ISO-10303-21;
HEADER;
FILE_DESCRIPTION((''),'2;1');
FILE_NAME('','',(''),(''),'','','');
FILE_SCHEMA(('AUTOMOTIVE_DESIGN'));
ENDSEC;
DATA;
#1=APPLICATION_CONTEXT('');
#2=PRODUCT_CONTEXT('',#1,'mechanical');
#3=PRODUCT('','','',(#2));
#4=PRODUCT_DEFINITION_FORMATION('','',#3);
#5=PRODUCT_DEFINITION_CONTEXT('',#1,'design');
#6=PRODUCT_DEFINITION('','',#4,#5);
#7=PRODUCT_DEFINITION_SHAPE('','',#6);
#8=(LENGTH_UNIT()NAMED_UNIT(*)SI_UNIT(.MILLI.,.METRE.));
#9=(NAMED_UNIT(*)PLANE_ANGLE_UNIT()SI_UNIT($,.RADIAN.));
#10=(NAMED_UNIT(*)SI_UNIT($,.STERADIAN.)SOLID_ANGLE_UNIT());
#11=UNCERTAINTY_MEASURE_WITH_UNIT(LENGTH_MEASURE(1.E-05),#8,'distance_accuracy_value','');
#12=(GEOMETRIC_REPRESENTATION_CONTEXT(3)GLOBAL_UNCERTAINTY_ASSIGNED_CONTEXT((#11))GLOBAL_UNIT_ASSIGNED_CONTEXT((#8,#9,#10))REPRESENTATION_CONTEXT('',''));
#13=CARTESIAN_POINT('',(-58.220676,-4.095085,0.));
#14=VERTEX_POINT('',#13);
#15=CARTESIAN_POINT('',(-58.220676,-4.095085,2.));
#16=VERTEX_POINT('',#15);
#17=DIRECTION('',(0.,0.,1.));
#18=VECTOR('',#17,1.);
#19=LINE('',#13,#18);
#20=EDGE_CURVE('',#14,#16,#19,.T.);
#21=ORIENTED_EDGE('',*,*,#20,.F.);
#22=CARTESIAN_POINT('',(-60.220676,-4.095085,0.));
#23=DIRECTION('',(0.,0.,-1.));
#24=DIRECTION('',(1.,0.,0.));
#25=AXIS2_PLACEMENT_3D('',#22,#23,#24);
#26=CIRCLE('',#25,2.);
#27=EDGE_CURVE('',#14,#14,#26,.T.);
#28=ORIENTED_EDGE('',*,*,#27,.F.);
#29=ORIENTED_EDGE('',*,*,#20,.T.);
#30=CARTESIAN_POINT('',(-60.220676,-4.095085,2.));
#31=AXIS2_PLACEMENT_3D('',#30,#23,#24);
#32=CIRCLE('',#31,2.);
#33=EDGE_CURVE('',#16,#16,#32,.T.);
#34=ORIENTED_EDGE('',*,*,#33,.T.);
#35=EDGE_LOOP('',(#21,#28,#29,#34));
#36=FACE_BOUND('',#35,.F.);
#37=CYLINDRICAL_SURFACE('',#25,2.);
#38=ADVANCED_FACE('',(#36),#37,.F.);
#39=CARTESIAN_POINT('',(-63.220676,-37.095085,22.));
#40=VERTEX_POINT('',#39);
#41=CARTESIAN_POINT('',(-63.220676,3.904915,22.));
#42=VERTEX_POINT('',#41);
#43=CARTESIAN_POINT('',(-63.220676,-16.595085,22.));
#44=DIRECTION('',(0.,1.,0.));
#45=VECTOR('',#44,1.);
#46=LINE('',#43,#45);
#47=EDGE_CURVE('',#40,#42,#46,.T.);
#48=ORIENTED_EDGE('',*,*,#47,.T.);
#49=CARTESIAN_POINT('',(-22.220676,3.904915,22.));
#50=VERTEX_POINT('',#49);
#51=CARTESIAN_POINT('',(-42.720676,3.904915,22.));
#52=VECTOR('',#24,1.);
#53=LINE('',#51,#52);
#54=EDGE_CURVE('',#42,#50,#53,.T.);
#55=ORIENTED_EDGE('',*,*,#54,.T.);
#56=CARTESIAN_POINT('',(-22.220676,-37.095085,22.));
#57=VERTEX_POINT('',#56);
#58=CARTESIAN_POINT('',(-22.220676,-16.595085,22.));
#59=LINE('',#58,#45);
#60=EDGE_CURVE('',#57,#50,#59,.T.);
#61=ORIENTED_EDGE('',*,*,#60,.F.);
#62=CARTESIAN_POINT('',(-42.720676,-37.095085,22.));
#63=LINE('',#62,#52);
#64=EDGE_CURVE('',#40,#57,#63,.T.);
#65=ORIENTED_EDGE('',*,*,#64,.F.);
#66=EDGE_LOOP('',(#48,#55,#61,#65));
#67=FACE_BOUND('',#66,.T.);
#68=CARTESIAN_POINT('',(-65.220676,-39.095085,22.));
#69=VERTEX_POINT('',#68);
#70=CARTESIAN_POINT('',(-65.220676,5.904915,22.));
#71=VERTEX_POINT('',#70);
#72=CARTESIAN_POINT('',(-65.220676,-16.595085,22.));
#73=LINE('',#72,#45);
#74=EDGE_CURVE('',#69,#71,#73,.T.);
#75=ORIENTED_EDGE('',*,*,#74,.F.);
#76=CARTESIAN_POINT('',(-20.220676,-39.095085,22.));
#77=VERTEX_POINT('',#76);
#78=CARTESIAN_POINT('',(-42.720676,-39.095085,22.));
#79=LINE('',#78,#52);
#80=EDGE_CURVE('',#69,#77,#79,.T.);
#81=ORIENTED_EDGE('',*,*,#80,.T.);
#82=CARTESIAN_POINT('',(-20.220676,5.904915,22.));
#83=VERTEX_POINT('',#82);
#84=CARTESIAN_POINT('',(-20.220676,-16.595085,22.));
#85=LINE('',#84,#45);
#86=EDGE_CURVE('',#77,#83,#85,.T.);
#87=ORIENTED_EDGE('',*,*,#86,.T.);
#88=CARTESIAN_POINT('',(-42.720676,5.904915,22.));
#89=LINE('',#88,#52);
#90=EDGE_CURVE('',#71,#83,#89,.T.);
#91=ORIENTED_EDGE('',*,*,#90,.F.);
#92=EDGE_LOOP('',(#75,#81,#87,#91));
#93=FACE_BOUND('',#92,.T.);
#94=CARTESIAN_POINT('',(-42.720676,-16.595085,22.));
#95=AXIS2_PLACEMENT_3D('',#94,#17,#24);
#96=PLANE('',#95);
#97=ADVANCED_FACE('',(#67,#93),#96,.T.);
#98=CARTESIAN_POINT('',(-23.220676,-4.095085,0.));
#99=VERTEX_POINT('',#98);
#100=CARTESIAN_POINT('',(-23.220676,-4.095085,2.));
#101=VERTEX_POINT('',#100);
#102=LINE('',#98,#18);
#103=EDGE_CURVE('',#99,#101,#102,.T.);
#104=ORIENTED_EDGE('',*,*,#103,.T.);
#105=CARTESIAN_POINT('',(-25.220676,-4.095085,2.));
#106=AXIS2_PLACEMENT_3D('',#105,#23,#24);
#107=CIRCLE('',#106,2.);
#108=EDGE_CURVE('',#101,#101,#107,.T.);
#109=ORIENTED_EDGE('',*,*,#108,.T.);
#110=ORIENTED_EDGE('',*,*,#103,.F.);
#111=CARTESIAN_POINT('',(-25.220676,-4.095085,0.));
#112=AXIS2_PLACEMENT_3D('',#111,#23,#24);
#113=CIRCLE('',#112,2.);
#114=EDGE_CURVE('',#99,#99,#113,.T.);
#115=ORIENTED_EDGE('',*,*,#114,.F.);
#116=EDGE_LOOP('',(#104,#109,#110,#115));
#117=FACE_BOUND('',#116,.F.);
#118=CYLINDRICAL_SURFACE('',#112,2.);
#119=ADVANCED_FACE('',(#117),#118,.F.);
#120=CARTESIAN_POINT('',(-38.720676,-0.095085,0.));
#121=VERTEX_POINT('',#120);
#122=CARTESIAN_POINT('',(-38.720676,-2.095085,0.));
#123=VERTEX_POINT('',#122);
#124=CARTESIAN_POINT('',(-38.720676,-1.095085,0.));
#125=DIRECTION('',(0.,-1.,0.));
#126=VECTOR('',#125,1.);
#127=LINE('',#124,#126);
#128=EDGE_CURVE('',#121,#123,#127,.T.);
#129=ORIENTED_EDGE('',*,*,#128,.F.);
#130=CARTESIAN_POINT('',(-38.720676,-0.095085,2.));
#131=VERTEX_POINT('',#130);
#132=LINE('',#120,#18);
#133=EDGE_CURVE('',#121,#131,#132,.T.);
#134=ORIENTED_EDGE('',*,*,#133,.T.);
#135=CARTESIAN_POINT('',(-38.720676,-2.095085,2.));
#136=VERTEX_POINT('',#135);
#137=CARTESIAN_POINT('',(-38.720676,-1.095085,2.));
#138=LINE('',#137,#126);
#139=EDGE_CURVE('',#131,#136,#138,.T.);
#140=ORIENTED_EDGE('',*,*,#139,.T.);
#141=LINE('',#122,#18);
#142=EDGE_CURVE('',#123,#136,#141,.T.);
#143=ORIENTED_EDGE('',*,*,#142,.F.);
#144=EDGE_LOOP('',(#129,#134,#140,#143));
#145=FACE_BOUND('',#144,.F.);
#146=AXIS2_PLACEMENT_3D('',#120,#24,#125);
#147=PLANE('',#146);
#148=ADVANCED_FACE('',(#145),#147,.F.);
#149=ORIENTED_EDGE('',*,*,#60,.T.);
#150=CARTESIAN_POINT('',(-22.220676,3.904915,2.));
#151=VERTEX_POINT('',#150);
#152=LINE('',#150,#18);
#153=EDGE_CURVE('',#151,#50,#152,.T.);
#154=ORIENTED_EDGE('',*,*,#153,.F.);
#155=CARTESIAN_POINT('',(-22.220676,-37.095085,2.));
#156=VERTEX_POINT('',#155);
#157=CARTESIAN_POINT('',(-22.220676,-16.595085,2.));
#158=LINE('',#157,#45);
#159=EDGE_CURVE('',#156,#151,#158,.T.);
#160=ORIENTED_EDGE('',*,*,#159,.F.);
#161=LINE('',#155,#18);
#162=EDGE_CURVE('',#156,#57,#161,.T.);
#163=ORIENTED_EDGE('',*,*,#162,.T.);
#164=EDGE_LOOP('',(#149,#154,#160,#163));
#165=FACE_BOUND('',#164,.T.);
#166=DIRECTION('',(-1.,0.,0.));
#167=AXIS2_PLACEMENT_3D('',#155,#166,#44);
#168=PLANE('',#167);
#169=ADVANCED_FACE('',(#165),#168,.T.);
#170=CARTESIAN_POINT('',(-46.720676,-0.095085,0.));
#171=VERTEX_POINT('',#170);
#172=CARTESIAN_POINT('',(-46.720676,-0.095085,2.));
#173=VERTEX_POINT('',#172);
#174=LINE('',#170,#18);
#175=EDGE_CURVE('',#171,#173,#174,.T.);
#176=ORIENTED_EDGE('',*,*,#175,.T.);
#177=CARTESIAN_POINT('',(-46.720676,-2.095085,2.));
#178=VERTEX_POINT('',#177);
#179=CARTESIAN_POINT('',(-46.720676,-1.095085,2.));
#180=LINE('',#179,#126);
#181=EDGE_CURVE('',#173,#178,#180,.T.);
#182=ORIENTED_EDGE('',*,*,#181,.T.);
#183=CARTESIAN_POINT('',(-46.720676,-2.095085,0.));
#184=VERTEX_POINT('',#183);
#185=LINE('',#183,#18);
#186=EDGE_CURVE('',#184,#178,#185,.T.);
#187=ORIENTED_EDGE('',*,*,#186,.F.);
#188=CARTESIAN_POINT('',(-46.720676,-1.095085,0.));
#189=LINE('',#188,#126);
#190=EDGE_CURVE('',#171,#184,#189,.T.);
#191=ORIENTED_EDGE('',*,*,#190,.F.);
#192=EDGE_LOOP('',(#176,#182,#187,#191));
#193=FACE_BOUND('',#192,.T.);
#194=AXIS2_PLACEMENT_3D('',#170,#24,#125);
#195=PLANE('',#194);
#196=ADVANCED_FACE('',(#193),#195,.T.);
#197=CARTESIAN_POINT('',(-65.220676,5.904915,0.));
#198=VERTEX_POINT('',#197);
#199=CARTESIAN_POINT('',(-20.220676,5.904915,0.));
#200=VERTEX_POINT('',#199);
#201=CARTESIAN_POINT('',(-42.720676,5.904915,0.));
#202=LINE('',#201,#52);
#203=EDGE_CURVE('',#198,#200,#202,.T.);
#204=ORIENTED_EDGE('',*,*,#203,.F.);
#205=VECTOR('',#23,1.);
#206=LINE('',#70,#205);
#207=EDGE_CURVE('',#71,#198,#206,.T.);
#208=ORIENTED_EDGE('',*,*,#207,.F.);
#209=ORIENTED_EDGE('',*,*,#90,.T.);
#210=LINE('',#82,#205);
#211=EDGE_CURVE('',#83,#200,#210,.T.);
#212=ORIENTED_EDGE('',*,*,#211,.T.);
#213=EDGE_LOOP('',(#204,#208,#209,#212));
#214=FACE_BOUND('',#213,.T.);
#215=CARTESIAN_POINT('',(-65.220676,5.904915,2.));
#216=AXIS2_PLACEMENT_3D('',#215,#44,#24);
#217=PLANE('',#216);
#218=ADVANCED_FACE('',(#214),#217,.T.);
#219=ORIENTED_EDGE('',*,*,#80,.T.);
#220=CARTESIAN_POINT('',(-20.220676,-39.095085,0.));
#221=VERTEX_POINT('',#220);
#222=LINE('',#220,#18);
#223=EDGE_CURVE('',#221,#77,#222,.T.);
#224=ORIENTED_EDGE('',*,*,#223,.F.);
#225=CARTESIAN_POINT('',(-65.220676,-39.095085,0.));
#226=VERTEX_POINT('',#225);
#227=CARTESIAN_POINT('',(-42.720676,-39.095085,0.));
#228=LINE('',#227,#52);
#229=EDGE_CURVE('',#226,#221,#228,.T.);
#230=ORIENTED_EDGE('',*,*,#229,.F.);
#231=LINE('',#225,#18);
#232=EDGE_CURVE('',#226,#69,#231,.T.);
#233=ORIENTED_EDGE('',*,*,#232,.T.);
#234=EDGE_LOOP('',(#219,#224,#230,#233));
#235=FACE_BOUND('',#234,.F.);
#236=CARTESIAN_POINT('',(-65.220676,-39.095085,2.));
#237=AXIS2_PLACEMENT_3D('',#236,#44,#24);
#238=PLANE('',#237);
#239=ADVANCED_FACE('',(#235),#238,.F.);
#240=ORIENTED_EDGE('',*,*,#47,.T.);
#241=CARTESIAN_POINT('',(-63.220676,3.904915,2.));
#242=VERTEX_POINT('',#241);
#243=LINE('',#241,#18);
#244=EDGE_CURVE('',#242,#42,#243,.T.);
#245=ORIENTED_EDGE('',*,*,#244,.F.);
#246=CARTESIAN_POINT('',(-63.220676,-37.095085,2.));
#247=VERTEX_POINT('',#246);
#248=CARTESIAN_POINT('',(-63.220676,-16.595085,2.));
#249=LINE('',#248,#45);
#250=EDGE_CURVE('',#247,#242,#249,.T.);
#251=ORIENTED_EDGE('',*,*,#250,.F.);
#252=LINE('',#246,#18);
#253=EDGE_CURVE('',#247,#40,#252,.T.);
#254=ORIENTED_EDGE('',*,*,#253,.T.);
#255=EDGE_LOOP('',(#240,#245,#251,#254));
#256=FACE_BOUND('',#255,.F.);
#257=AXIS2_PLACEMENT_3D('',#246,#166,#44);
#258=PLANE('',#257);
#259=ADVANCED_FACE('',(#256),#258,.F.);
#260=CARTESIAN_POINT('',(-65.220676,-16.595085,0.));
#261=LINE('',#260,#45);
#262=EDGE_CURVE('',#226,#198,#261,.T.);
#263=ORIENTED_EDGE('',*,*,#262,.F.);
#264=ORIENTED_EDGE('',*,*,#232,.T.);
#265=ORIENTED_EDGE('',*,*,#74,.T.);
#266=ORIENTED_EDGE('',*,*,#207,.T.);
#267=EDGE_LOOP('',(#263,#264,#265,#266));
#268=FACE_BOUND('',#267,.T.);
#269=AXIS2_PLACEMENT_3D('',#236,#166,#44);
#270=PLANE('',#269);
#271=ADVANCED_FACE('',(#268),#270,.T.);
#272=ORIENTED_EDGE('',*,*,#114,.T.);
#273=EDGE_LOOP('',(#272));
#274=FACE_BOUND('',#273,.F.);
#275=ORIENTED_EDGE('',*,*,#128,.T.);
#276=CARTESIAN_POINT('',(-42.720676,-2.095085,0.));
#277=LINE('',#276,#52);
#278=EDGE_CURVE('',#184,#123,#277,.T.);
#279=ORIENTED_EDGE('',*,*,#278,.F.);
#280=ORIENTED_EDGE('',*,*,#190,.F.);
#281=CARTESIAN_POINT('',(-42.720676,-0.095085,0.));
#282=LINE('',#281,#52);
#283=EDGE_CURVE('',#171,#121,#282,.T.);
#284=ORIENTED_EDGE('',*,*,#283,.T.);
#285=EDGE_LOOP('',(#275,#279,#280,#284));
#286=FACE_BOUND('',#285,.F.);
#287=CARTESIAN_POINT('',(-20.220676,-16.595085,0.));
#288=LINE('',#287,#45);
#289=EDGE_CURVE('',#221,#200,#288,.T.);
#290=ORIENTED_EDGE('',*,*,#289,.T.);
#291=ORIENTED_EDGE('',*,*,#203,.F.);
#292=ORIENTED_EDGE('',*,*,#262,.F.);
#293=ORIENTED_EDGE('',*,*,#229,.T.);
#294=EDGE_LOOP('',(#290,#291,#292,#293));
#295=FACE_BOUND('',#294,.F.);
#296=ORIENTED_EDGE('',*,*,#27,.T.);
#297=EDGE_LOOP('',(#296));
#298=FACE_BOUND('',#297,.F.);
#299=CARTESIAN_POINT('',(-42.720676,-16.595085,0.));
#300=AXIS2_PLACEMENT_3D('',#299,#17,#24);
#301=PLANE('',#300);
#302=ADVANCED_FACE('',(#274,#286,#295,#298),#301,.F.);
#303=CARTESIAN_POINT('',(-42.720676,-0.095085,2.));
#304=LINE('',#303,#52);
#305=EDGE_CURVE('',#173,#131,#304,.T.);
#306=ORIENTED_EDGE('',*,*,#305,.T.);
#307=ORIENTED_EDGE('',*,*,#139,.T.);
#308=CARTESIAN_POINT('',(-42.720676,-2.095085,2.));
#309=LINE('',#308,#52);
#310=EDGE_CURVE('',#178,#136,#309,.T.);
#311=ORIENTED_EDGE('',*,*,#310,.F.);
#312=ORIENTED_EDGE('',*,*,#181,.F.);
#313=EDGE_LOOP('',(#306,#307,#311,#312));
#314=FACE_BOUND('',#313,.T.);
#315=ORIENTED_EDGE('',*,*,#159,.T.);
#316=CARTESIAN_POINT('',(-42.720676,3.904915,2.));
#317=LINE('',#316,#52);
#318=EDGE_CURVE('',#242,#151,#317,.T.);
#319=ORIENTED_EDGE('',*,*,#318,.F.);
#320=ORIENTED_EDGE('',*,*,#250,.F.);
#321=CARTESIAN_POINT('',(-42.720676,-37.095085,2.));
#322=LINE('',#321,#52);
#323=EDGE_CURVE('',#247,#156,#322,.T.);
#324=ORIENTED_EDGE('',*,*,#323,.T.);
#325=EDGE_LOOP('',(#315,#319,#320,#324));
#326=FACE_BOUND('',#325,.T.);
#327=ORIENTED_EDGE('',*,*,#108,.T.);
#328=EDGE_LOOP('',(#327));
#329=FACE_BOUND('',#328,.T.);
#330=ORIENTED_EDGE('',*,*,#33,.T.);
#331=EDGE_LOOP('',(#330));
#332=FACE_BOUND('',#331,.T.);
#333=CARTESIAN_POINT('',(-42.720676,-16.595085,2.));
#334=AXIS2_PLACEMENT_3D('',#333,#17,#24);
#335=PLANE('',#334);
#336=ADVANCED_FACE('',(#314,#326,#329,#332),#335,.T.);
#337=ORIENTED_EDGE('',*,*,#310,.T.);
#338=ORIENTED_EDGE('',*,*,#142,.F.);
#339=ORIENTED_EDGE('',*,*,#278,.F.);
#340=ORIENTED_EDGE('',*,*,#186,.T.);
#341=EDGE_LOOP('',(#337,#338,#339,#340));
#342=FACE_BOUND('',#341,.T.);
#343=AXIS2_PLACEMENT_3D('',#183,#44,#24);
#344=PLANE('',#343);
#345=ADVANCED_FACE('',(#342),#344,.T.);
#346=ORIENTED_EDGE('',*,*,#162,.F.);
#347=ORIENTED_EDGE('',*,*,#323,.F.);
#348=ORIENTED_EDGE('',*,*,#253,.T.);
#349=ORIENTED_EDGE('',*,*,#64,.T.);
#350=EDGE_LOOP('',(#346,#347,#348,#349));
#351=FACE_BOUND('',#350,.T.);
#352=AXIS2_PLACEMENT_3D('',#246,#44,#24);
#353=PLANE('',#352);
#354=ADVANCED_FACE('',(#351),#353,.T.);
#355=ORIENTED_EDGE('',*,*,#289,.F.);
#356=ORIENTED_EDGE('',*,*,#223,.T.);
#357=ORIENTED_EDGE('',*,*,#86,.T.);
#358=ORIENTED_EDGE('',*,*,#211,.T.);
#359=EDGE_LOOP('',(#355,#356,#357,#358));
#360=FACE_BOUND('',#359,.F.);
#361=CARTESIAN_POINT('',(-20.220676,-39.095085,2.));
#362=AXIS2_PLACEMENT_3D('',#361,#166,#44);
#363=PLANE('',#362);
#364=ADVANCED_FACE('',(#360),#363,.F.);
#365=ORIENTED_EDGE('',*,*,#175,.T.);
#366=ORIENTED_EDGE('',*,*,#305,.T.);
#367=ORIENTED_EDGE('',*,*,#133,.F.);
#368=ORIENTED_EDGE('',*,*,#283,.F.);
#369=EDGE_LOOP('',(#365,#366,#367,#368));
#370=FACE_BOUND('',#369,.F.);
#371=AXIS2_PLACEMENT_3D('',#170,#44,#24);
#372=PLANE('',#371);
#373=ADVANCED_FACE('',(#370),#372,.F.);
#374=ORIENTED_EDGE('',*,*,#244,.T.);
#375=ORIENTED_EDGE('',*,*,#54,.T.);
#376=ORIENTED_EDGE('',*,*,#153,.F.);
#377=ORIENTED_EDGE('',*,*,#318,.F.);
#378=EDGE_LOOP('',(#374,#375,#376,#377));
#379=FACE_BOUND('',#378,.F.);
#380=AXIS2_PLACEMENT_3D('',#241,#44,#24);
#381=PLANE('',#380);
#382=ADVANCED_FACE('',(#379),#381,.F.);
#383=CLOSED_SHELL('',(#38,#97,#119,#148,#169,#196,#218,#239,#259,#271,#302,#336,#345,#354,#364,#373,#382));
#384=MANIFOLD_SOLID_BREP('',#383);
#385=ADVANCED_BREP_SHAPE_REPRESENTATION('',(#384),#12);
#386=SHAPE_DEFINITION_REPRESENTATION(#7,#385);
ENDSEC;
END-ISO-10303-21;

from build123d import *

# Parameters (mm, degrees)
F0_W     = 45
F0_H     = 45
F1_DEPTH = 2
F2_W     = 45
F2_H     = 45
F2_W_2   = 41
F2_H_2   = 41
F3_DEPTH = 20
F4_W     = 8
F4_H     = 2
F5_DEPTH = 2
F6_R     = 2
F7_DEPTH = 25


with BuildPart() as f1:
    # F0 (on Top) → F1 (new body)
    with BuildSketch(Plane.XY):
        with Locations((-42.720676, -16.595085)):
            Rectangle(F0_W, F0_H)
    extrude(amount=F1_DEPTH)

    # F2 (on face) → F3 (join)
    with BuildSketch(Plane.XY.offset(2)):
        with Locations((-42.720676, -16.595085)):
            Rectangle(F2_W, F2_H)
        with Locations((-42.720676, -16.595085)):
            Rectangle(F2_W_2, F2_H_2, mode=Mode.SUBTRACT)
    extrude(amount=F3_DEPTH)

    # F4 (on face) → F5 (cut, through all)
    with BuildSketch(Plane(origin=(0, 0, 0), x_dir=(1, 0, 0), z_dir=(0, 0, -1))):
        with Locations((-42.720676, 1.095085)):
            Rectangle(F4_W, F4_H)
    extrude(amount=-F5_DEPTH, mode=Mode.SUBTRACT)

    # F6 (on face) → F7 (cut)
    with BuildSketch(Plane(origin=(0, 0, 0), x_dir=(1, 0, 0), z_dir=(0, 0, -1))):
        with Locations((-25.220676, 4.095085)):
            Circle(F6_R)
        with Locations((-60.220676, 4.095085)):
            Circle(F6_R)
    extrude(amount=-F7_DEPTH, mode=Mode.SUBTRACT)


solid = f1.part
